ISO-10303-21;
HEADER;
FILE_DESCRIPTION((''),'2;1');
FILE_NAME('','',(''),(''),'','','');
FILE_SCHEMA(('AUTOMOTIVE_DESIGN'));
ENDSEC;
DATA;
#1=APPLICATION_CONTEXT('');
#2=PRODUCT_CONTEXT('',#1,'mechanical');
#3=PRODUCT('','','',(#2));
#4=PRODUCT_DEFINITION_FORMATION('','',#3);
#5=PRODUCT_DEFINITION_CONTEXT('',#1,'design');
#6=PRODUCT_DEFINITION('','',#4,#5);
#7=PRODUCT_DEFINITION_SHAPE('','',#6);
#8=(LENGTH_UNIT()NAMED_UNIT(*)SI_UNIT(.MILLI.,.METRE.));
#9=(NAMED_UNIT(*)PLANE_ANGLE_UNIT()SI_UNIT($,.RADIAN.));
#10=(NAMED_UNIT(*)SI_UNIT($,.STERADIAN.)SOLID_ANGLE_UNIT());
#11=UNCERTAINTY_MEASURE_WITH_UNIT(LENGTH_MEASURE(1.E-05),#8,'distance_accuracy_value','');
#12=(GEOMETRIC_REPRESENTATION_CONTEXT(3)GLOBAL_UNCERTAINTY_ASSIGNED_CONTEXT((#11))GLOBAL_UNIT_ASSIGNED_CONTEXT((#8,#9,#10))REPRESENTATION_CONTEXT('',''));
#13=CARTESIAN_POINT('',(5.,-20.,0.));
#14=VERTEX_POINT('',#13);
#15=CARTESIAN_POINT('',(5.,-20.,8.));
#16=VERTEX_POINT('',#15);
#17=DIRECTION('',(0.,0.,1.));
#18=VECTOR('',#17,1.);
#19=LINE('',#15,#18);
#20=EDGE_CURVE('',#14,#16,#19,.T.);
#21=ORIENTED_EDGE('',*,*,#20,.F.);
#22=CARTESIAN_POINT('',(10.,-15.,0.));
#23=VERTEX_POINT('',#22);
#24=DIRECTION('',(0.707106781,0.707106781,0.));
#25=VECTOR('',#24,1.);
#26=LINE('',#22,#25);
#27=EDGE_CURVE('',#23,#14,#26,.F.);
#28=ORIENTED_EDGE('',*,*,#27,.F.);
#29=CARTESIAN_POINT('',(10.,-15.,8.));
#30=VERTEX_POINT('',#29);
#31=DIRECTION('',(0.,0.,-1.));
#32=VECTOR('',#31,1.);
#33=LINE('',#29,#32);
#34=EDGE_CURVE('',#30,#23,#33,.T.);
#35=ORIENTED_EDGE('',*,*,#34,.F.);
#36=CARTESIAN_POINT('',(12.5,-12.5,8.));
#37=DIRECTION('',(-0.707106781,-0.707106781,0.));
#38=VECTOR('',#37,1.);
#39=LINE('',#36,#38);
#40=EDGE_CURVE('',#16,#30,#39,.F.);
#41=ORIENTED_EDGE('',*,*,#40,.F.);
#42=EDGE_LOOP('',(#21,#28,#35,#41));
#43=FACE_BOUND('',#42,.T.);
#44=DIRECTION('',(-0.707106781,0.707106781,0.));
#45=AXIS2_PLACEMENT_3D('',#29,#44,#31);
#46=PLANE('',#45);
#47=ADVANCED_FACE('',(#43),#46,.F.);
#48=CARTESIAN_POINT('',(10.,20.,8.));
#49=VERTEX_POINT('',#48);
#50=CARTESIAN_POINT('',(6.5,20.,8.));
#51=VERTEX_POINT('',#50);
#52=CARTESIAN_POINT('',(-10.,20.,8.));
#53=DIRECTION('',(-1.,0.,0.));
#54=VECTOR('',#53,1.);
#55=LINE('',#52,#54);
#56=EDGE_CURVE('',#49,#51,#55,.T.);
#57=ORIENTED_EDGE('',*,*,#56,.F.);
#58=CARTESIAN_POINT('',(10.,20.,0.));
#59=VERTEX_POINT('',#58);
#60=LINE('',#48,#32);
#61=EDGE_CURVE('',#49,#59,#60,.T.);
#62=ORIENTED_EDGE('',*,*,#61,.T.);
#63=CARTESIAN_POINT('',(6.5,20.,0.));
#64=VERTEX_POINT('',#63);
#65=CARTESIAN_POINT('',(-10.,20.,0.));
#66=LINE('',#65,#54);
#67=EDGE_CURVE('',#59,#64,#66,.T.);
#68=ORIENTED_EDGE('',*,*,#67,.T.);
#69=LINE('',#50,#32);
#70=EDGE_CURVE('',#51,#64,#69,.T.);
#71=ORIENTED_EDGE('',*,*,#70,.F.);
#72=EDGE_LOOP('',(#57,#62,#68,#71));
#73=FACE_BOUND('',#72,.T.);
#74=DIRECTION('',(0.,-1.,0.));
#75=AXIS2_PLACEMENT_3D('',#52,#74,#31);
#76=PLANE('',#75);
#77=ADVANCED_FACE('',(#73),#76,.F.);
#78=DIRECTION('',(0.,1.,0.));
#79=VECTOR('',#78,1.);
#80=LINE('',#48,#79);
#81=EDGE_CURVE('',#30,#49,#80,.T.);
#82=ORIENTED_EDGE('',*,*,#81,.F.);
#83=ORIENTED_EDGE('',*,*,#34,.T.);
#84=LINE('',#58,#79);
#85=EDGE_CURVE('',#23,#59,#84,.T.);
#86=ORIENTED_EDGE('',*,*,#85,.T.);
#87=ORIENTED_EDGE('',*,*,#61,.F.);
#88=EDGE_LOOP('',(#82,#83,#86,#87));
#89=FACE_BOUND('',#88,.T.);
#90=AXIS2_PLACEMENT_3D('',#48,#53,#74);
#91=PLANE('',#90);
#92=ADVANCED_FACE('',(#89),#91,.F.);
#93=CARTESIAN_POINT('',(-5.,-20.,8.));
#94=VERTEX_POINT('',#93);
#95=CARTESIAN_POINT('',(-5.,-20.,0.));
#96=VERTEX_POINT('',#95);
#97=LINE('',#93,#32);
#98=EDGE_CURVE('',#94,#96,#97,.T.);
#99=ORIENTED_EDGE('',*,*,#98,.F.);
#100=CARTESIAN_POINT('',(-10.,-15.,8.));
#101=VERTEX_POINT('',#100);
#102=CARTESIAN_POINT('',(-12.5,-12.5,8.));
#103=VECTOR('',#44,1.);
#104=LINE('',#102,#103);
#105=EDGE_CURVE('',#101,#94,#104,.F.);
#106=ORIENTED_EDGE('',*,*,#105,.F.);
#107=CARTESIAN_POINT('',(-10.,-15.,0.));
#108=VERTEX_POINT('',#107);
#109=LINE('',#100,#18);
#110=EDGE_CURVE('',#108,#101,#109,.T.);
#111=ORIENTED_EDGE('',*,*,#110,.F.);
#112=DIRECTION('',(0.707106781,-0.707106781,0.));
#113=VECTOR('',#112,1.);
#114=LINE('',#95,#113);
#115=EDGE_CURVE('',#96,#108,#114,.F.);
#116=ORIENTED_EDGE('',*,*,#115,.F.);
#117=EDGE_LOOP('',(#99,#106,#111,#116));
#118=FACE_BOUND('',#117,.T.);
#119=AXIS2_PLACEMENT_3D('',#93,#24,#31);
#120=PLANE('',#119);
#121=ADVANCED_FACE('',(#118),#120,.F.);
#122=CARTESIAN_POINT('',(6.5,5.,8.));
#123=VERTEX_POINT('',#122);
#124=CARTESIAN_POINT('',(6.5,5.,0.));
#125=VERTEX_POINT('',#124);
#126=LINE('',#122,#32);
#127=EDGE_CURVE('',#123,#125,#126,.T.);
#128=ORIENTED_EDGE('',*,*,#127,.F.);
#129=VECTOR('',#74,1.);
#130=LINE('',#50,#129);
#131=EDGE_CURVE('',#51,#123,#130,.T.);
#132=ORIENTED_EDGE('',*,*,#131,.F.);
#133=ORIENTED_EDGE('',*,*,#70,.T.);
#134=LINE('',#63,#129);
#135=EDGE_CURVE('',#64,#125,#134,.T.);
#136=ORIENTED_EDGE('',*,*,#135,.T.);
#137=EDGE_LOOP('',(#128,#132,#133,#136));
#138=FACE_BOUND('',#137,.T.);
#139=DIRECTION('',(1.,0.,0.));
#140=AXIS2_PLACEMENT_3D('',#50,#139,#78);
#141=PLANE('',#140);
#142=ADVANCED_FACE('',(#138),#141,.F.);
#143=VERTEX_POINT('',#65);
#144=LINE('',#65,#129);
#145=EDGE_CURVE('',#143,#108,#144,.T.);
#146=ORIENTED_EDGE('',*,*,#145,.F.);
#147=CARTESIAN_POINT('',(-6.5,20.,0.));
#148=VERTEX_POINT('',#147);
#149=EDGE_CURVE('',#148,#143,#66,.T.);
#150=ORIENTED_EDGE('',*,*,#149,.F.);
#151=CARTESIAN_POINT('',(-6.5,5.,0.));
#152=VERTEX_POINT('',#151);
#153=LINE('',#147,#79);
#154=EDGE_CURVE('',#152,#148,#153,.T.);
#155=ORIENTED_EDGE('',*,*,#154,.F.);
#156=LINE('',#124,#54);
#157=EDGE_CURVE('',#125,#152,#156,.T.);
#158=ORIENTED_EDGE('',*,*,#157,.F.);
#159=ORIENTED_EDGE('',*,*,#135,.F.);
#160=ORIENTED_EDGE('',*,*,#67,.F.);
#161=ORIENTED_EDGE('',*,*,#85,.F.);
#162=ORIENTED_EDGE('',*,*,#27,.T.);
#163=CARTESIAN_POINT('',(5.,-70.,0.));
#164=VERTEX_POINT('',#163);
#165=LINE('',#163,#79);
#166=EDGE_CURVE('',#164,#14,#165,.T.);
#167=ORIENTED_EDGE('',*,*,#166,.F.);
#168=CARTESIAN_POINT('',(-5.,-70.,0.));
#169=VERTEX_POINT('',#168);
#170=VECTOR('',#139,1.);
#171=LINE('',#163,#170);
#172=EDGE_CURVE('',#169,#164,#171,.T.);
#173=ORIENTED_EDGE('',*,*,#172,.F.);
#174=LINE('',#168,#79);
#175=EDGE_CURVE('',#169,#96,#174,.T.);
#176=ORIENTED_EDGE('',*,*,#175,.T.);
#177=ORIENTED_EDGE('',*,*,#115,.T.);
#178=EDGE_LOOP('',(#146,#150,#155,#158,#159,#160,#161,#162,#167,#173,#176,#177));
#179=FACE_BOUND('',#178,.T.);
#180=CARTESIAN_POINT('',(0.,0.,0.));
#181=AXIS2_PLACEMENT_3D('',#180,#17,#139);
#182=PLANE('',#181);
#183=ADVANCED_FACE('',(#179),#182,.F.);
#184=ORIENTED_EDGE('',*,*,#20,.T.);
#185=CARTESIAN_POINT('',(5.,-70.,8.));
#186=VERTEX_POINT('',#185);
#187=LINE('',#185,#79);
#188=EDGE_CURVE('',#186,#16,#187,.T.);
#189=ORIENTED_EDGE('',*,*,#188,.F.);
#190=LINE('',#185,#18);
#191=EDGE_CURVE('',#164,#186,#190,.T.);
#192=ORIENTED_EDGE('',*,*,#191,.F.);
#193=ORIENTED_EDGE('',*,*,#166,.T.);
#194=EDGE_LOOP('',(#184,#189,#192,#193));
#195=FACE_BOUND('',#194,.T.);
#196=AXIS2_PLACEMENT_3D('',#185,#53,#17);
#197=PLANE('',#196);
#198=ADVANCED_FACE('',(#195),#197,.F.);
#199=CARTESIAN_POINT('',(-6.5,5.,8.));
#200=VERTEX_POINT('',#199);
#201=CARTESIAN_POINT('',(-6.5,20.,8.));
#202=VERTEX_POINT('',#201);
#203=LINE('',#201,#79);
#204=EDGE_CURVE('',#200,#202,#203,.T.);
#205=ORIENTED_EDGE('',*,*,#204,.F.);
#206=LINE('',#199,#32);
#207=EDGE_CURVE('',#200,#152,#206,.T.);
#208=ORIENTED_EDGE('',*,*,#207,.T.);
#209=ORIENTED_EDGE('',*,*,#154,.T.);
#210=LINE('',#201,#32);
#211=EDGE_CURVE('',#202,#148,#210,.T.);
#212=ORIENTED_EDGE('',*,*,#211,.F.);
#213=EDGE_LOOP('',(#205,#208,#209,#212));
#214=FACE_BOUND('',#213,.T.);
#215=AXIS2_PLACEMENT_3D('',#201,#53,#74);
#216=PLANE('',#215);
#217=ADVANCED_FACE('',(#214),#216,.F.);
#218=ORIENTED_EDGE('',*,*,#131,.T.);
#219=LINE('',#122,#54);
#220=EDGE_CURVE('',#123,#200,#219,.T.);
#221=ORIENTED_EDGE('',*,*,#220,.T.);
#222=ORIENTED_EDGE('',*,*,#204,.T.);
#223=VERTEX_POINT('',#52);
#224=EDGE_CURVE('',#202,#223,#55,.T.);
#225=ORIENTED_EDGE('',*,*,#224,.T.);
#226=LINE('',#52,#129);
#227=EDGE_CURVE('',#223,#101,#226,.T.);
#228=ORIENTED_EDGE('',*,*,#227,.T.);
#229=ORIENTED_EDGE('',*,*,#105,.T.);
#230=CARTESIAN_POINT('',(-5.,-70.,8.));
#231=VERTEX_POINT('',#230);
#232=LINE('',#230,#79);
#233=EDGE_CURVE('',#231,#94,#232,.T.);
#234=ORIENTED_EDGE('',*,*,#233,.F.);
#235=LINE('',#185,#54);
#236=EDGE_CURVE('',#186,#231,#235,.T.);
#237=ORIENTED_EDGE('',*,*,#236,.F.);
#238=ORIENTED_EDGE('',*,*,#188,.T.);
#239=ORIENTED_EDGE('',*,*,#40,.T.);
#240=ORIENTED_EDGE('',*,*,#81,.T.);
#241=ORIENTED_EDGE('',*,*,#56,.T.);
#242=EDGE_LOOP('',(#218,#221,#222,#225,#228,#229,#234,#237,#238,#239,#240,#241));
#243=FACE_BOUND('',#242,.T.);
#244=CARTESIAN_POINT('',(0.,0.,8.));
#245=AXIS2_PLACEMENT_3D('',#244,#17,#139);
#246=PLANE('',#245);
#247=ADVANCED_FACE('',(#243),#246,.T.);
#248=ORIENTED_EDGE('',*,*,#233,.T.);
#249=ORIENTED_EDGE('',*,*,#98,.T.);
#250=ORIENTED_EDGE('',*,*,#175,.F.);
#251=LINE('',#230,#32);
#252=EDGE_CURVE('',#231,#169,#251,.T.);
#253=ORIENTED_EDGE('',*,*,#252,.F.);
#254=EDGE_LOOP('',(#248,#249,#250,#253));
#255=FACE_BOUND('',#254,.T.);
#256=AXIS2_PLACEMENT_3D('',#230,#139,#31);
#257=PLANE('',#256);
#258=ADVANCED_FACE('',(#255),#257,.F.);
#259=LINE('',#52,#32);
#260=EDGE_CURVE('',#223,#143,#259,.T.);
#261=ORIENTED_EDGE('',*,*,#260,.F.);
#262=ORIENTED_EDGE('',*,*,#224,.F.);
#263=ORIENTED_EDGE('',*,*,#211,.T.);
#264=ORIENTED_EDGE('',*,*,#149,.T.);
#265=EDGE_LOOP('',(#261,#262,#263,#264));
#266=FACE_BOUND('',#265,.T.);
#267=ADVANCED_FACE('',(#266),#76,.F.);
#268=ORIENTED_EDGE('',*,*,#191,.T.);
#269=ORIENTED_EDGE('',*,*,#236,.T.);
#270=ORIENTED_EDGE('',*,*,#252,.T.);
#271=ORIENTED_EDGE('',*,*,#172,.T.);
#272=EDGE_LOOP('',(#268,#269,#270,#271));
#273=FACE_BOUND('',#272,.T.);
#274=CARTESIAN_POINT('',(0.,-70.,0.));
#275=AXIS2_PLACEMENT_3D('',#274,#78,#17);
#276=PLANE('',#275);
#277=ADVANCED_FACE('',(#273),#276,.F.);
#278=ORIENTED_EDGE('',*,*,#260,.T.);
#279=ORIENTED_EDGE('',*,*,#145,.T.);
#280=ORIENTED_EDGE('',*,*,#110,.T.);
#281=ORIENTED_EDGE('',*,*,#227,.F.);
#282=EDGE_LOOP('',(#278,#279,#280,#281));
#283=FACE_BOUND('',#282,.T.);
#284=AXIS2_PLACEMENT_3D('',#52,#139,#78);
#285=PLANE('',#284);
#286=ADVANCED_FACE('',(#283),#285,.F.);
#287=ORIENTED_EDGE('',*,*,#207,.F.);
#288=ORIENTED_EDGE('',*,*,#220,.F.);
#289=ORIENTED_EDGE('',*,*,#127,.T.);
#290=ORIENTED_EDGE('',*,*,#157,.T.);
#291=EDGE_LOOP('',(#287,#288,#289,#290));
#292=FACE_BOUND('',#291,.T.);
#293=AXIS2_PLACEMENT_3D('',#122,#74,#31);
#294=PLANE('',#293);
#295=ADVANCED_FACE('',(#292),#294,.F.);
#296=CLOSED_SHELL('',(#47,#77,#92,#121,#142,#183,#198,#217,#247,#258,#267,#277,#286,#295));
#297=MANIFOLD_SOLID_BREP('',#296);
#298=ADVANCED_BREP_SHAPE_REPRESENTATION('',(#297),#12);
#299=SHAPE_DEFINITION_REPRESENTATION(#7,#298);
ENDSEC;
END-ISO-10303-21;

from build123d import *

# Parameters (mm, degrees)
CROQUIS1_W              = 20
CROQUIS1_H              = 40
SALIENTE_EXTRUIR1_DEPTH = 8
CROQUIS2_W              = 13
CROQUIS2_H              = 15
CORTAR_EXTRUIR1_DEPTH   = 8
CHAFL_N3_SIZE           = 5
CHAFL_N4_SIZE           = 5
CROQUIS4_W              = 10
CROQUIS4_H              = 8
SALIENTE_EXTRUIR2_DEPTH = 50


with BuildPart() as part:
    # Croquis1 → Saliente-Extruir1 (new body)
    with BuildSketch(Plane.XY):
        Rectangle(CROQUIS1_W, CROQUIS1_H)
    extrude(amount=SALIENTE_EXTRUIR1_DEPTH)

    # Croquis2 → Cortar-Extruir1 (cut)
    with BuildSketch(Plane(origin=(0, 0, 0), x_dir=(-1, 0, 0), z_dir=(0, 0, -1))):
        with Locations((0, 12.5)):
            Rectangle(CROQUIS2_W, CROQUIS2_H)
    extrude(amount=-CORTAR_EXTRUIR1_DEPTH, mode=Mode.SUBTRACT)

    # Chaflán3
    chafl_n3_edges = [part.edges().sort_by_distance(p)[0] for p in [
        (-10, -20, 4),
    ]]
    chamfer(chafl_n3_edges, length=CHAFL_N3_SIZE)

    # Chaflán4
    chafl_n4_edges = [part.edges().sort_by_distance(p)[0] for p in [
        (10, -20, 4),
    ]]
    chamfer(chafl_n4_edges, length=CHAFL_N4_SIZE)

    # Croquis4 → Saliente-Extruir2 (add)
    with BuildSketch(Plane.XZ.offset(20)):
        with Locations((0, 4)):
            Rectangle(CROQUIS4_W, CROQUIS4_H)
    extrude(amount=SALIENTE_EXTRUIR2_DEPTH)


solid = part.part
